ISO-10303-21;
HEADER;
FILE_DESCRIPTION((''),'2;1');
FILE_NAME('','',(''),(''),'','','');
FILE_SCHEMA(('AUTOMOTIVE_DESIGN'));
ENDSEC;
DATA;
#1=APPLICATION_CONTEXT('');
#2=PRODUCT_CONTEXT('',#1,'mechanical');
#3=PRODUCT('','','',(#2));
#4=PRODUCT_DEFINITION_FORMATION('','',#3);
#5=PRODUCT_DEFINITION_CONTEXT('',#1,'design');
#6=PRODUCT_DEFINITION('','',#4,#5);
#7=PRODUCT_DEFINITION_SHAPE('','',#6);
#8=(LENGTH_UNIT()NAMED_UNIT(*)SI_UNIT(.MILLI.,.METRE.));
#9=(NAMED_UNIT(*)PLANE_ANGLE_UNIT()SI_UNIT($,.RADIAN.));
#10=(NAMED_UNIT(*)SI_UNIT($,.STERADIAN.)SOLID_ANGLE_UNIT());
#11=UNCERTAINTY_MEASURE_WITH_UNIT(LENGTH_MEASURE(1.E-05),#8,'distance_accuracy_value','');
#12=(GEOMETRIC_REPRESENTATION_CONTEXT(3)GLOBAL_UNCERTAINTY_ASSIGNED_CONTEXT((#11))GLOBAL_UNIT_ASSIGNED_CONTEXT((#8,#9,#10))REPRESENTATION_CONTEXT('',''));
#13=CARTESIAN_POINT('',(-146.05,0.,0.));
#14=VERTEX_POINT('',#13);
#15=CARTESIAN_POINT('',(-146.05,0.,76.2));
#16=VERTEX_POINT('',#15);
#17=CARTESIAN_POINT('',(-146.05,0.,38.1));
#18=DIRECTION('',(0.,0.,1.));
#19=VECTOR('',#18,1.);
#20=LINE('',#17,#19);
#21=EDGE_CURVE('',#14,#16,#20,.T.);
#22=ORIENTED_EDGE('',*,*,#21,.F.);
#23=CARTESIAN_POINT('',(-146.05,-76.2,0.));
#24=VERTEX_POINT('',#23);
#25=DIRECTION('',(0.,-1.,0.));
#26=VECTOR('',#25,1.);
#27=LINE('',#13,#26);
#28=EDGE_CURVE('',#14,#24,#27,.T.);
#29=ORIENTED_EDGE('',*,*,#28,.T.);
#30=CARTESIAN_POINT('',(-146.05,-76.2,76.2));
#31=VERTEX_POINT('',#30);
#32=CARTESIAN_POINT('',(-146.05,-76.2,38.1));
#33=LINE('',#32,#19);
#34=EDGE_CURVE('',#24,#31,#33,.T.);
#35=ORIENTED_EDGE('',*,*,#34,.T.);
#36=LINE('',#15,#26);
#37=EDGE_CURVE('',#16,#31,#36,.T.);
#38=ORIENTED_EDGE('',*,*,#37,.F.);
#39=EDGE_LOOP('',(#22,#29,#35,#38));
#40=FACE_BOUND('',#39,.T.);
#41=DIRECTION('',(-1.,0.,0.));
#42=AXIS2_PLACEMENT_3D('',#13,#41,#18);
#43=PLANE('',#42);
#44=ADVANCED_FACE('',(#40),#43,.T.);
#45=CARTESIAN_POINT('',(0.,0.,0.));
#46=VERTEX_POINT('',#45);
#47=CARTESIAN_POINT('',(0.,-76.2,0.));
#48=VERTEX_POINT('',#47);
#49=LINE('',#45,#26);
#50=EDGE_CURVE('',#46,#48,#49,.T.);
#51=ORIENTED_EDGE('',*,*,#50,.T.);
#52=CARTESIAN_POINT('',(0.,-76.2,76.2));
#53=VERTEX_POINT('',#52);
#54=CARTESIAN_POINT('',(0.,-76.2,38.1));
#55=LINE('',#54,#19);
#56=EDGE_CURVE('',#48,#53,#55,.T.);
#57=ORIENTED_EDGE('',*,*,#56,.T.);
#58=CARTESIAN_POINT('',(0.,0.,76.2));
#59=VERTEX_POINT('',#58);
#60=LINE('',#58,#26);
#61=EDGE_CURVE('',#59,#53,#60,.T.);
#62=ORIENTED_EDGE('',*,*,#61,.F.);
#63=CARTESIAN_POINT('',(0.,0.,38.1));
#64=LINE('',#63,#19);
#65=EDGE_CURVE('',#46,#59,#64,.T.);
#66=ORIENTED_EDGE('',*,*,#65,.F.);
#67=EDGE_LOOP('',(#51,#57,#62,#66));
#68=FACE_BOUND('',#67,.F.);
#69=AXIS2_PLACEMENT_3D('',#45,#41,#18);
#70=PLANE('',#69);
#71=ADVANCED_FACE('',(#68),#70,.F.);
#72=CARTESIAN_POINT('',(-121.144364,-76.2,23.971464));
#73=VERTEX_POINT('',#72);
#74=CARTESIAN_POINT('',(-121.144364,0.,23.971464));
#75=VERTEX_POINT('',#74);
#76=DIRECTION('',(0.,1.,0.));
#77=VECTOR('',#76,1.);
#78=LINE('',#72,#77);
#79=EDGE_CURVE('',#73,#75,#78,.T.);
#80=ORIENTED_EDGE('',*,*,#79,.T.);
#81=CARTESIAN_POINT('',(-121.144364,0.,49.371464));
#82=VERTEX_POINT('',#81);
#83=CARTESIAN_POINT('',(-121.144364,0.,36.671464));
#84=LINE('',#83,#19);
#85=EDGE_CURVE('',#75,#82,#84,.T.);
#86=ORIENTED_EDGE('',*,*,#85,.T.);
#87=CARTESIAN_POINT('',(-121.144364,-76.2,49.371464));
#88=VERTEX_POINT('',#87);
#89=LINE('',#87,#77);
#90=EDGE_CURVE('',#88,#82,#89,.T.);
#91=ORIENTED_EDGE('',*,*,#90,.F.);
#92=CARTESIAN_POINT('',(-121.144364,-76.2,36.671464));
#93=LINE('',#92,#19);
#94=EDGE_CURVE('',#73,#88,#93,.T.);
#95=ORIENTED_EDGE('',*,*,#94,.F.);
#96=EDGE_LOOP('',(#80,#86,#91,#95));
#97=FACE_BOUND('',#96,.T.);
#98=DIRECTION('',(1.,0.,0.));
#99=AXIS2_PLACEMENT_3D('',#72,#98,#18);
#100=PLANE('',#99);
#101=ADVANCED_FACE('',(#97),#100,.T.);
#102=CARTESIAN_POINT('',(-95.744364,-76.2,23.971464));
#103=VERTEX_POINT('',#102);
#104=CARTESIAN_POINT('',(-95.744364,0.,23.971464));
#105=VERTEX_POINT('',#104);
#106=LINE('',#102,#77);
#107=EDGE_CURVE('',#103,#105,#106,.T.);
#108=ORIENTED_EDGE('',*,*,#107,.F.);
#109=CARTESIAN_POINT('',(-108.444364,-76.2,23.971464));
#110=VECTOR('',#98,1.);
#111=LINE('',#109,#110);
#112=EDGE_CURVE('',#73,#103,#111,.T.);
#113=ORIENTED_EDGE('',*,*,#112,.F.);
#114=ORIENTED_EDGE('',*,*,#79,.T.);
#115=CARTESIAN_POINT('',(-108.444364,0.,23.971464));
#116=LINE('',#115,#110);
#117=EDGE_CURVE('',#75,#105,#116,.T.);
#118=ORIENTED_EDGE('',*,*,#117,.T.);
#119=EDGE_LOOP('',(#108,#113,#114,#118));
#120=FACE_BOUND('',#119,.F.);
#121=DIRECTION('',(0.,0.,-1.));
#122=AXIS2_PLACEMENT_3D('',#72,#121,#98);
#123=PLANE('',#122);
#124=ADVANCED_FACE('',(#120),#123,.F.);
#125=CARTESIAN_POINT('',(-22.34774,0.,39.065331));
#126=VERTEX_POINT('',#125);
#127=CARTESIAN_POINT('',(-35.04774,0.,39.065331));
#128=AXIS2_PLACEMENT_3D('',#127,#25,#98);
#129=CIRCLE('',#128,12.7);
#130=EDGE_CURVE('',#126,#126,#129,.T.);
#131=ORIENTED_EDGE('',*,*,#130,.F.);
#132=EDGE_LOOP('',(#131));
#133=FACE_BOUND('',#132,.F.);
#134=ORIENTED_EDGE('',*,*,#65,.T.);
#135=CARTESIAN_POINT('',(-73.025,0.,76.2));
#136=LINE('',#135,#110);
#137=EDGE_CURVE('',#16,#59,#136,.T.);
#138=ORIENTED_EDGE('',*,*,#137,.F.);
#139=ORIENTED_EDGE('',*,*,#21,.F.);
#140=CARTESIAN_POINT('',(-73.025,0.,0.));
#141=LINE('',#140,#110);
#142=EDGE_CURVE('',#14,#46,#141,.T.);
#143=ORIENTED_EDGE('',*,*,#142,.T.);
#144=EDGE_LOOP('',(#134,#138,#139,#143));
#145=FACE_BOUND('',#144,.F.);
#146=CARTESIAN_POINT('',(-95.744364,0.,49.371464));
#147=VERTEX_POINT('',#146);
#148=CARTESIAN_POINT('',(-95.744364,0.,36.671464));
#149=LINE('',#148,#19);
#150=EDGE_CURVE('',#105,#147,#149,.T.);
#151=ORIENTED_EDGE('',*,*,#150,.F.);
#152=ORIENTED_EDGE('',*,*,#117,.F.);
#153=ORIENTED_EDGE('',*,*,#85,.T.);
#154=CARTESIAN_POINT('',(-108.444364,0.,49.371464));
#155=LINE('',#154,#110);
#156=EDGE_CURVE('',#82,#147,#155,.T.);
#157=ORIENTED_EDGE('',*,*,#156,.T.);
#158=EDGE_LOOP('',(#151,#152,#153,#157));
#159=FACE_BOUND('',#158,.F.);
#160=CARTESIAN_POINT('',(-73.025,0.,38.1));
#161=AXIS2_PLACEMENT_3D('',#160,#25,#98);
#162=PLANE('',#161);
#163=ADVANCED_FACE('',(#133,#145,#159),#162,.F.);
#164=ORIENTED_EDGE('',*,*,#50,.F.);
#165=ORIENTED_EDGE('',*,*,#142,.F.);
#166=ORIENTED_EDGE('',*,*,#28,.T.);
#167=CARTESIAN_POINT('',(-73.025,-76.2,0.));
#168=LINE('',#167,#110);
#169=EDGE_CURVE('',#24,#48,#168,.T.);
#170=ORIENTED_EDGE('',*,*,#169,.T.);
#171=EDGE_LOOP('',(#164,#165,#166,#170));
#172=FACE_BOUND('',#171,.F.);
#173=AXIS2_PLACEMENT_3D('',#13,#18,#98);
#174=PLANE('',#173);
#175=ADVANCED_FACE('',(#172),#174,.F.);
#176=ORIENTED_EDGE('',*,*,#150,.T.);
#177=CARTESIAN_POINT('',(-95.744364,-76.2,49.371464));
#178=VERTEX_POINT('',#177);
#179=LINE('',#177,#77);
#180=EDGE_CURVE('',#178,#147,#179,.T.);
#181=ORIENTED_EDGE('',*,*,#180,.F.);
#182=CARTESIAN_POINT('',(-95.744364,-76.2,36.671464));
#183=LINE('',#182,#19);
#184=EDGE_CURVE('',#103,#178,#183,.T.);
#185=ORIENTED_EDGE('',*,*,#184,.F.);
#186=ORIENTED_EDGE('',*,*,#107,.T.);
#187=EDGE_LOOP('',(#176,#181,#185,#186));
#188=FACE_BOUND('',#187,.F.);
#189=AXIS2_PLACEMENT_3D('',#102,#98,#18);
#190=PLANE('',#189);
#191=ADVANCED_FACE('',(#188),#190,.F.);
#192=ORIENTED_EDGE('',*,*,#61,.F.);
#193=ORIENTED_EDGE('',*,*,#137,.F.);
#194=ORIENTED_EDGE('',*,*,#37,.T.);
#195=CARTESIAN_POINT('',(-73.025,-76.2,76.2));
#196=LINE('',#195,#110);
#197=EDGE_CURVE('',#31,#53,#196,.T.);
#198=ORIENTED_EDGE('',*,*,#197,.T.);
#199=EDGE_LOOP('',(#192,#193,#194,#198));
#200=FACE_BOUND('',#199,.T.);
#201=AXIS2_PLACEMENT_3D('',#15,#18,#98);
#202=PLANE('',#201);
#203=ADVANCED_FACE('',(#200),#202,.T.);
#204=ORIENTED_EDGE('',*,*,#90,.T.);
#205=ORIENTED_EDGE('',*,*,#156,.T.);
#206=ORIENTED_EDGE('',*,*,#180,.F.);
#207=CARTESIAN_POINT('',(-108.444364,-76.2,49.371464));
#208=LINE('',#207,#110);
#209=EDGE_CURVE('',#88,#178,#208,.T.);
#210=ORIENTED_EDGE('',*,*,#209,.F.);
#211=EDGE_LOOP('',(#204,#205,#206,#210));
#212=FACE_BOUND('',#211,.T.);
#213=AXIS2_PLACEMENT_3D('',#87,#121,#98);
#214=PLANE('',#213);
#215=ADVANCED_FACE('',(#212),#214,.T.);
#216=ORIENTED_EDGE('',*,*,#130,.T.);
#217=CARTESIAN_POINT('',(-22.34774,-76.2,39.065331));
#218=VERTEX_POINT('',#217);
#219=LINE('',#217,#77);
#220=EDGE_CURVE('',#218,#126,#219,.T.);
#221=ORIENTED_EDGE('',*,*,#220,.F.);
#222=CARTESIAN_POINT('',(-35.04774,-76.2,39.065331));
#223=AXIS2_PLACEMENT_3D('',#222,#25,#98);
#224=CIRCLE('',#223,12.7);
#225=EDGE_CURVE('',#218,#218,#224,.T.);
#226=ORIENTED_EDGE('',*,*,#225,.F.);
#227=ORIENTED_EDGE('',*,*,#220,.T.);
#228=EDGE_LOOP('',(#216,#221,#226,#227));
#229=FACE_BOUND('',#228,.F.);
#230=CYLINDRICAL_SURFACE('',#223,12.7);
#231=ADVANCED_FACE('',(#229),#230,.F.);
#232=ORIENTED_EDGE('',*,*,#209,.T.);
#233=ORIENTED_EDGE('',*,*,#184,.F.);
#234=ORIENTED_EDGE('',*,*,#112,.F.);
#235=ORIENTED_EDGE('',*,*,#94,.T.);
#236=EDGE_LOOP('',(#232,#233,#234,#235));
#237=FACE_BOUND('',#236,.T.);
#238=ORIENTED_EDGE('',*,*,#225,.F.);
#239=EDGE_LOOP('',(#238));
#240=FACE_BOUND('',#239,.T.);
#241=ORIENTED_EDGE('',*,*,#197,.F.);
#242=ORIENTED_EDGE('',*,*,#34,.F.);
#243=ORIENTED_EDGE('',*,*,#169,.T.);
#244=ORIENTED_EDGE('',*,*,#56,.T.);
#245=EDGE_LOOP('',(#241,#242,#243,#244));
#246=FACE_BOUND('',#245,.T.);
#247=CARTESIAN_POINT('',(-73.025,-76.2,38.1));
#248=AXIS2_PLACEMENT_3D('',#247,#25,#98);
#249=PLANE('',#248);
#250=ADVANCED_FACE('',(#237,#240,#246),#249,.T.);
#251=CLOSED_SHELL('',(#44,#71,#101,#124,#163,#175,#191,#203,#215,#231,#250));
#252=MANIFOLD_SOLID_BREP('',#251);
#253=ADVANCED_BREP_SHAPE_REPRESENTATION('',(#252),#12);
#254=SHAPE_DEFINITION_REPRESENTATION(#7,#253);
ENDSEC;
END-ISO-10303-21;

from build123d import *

# Parameters (mm, degrees)
F0_W     = 146.05
F0_H     = 76.2
F1_DEPTH = 76.2
F2_R     = 12.7
F2_W     = 25.4
F2_H     = 25.4
F3_DEPTH = 76.2


with BuildPart() as f1:
    # F0 (on Front) → F1 (new body)
    with BuildSketch(Plane.XZ):
        with Locations((-73.025, 38.1)):
            Rectangle(F0_W, F0_H)
    extrude(amount=F1_DEPTH)

    # F2 (on face) → F3 (cut)
    with BuildSketch(Plane.XZ.offset(76.2)):
        with Locations((-35.04774, 39.065331)):
            Circle(F2_R)
        with Locations((-108.444364, 36.671464)):
            Rectangle(F2_W, F2_H)
    extrude(amount=-F3_DEPTH, mode=Mode.SUBTRACT)


solid = f1.part
